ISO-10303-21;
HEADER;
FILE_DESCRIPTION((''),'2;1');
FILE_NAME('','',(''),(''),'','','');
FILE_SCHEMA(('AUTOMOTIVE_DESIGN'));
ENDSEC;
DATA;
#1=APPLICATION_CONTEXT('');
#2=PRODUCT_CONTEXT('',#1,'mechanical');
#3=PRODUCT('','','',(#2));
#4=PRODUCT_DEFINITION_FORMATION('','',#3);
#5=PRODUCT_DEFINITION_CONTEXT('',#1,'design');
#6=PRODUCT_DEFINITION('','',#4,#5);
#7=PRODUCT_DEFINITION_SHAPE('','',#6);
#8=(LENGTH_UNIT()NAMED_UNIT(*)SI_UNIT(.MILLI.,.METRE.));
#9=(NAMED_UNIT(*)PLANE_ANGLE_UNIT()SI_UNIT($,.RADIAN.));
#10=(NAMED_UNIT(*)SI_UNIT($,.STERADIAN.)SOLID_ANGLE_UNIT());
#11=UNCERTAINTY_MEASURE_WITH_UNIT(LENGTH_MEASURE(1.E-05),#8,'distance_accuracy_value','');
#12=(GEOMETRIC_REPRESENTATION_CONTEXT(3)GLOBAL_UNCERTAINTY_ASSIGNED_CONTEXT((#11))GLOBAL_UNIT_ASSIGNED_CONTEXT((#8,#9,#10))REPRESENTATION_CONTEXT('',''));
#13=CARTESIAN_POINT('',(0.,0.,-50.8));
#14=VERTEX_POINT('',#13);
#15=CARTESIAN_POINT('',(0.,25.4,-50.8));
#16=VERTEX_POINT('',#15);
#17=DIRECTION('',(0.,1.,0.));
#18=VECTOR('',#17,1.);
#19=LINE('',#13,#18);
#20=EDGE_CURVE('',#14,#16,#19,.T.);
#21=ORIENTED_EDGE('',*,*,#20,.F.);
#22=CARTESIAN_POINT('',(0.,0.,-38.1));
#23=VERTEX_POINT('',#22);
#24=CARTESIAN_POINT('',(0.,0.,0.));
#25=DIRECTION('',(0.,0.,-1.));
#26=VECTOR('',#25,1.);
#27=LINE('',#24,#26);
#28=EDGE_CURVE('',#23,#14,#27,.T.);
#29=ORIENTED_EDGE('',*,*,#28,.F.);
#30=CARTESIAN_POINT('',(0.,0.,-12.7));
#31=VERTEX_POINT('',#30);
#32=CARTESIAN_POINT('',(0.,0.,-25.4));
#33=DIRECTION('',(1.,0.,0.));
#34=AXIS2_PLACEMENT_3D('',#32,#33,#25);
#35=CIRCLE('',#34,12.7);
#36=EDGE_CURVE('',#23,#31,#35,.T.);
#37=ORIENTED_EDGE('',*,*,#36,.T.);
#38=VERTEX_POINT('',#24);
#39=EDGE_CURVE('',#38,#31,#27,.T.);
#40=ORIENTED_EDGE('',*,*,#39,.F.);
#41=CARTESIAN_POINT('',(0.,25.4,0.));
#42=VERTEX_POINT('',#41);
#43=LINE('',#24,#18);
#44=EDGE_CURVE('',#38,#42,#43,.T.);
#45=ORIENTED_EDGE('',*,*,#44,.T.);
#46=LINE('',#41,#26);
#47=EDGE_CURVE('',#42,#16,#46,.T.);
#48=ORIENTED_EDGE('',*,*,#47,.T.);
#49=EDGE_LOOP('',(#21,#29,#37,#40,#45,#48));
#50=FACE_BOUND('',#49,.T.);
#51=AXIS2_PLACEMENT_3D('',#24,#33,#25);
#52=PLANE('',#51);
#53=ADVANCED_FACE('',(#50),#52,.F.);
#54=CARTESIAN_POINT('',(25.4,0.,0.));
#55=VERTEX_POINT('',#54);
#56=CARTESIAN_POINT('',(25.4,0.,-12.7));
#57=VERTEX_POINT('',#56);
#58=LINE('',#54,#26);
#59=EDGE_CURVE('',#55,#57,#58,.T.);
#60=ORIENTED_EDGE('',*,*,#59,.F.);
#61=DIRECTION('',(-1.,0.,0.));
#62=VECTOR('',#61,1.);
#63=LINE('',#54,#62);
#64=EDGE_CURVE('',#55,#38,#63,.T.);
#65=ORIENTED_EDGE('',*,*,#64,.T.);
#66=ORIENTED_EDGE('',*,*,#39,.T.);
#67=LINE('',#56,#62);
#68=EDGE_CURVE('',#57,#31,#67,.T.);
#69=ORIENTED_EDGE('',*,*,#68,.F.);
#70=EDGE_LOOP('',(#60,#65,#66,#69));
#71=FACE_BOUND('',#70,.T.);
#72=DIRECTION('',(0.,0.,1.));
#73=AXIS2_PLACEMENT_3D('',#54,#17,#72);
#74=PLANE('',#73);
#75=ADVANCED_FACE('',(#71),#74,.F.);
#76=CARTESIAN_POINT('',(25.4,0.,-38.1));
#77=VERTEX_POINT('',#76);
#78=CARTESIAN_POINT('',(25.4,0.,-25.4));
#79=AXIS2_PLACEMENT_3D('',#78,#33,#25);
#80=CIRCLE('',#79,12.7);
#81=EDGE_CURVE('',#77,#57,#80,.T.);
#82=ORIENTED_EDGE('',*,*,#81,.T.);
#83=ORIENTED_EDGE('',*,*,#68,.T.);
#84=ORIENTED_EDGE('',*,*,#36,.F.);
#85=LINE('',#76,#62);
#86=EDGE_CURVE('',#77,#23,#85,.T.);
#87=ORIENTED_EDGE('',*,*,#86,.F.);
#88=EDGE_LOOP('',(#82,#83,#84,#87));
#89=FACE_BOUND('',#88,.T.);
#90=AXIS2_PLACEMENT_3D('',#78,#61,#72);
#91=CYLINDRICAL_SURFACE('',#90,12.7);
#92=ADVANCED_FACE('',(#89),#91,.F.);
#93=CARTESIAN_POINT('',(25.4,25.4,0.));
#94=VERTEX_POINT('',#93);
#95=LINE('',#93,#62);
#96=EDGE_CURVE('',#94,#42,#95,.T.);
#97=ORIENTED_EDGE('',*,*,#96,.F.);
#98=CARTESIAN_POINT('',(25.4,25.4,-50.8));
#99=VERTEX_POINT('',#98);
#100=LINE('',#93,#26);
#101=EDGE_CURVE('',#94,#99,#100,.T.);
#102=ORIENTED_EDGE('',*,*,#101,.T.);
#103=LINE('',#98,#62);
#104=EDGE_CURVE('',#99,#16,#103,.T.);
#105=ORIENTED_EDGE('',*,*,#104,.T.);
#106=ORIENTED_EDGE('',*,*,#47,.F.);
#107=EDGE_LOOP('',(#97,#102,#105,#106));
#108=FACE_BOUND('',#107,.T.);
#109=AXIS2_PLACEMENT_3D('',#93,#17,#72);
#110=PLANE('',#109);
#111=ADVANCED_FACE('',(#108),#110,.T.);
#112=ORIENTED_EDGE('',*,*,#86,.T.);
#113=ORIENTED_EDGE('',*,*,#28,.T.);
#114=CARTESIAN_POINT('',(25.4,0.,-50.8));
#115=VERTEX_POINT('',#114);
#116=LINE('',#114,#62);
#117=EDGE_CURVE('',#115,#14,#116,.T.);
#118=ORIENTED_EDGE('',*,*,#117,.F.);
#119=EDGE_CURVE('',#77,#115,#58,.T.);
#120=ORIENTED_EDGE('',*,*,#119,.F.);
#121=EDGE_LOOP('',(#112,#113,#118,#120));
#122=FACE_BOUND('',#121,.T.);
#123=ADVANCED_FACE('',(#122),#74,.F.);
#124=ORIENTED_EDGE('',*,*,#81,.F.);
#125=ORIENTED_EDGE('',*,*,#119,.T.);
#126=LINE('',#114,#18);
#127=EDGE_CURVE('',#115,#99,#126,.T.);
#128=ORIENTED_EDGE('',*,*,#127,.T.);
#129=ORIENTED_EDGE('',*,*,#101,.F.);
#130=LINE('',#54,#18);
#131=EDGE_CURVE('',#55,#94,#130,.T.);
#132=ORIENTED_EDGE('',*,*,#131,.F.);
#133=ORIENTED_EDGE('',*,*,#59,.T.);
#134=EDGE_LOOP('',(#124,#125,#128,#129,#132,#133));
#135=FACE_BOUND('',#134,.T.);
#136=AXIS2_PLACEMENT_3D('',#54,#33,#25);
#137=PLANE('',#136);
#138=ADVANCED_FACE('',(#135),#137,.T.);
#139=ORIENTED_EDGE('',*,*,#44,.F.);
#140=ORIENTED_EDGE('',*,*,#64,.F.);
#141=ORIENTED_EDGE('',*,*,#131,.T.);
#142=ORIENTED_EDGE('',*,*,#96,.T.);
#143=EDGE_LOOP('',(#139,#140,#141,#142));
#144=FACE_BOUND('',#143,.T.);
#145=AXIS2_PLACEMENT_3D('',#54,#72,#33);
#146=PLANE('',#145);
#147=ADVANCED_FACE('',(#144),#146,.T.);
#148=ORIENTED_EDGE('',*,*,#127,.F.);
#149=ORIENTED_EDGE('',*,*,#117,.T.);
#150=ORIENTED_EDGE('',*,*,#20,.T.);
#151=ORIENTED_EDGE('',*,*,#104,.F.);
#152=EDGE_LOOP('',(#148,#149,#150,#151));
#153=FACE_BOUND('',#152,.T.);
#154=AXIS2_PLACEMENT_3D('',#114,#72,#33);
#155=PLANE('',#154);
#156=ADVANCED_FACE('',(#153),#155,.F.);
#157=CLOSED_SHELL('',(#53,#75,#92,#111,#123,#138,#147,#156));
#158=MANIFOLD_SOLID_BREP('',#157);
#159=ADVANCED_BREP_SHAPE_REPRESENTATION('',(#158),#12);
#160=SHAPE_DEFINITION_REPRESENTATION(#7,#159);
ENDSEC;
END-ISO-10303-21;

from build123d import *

# Parameters (mm, degrees)
BOSS_EXTRUDE1_DEPTH = 25.4


with BuildPart() as part:
    # Sketch1 → Boss-Extrude1 (new body)
    with BuildSketch(Plane(origin=(0, 0, 0), x_dir=(0, 0, -1), z_dir=(1, 0, 0))):
        with BuildLine():
            Line((0, 25.4), (0, 0))
            Line((0, 0), (2.459031877, 0))
            Line((2.459031877, 0), (12.7, 0))
            ThreePointArc((12.7, 0), (25.4, 12.7), (38.1, 0))
            Line((38.1, 0), (50.8, 0))
            Line((50.8, 0), (50.8, 25.4))
            Line((50.8, 25.4), (0, 25.4))
        make_face()
    extrude(amount=BOSS_EXTRUDE1_DEPTH)


solid = part.part
